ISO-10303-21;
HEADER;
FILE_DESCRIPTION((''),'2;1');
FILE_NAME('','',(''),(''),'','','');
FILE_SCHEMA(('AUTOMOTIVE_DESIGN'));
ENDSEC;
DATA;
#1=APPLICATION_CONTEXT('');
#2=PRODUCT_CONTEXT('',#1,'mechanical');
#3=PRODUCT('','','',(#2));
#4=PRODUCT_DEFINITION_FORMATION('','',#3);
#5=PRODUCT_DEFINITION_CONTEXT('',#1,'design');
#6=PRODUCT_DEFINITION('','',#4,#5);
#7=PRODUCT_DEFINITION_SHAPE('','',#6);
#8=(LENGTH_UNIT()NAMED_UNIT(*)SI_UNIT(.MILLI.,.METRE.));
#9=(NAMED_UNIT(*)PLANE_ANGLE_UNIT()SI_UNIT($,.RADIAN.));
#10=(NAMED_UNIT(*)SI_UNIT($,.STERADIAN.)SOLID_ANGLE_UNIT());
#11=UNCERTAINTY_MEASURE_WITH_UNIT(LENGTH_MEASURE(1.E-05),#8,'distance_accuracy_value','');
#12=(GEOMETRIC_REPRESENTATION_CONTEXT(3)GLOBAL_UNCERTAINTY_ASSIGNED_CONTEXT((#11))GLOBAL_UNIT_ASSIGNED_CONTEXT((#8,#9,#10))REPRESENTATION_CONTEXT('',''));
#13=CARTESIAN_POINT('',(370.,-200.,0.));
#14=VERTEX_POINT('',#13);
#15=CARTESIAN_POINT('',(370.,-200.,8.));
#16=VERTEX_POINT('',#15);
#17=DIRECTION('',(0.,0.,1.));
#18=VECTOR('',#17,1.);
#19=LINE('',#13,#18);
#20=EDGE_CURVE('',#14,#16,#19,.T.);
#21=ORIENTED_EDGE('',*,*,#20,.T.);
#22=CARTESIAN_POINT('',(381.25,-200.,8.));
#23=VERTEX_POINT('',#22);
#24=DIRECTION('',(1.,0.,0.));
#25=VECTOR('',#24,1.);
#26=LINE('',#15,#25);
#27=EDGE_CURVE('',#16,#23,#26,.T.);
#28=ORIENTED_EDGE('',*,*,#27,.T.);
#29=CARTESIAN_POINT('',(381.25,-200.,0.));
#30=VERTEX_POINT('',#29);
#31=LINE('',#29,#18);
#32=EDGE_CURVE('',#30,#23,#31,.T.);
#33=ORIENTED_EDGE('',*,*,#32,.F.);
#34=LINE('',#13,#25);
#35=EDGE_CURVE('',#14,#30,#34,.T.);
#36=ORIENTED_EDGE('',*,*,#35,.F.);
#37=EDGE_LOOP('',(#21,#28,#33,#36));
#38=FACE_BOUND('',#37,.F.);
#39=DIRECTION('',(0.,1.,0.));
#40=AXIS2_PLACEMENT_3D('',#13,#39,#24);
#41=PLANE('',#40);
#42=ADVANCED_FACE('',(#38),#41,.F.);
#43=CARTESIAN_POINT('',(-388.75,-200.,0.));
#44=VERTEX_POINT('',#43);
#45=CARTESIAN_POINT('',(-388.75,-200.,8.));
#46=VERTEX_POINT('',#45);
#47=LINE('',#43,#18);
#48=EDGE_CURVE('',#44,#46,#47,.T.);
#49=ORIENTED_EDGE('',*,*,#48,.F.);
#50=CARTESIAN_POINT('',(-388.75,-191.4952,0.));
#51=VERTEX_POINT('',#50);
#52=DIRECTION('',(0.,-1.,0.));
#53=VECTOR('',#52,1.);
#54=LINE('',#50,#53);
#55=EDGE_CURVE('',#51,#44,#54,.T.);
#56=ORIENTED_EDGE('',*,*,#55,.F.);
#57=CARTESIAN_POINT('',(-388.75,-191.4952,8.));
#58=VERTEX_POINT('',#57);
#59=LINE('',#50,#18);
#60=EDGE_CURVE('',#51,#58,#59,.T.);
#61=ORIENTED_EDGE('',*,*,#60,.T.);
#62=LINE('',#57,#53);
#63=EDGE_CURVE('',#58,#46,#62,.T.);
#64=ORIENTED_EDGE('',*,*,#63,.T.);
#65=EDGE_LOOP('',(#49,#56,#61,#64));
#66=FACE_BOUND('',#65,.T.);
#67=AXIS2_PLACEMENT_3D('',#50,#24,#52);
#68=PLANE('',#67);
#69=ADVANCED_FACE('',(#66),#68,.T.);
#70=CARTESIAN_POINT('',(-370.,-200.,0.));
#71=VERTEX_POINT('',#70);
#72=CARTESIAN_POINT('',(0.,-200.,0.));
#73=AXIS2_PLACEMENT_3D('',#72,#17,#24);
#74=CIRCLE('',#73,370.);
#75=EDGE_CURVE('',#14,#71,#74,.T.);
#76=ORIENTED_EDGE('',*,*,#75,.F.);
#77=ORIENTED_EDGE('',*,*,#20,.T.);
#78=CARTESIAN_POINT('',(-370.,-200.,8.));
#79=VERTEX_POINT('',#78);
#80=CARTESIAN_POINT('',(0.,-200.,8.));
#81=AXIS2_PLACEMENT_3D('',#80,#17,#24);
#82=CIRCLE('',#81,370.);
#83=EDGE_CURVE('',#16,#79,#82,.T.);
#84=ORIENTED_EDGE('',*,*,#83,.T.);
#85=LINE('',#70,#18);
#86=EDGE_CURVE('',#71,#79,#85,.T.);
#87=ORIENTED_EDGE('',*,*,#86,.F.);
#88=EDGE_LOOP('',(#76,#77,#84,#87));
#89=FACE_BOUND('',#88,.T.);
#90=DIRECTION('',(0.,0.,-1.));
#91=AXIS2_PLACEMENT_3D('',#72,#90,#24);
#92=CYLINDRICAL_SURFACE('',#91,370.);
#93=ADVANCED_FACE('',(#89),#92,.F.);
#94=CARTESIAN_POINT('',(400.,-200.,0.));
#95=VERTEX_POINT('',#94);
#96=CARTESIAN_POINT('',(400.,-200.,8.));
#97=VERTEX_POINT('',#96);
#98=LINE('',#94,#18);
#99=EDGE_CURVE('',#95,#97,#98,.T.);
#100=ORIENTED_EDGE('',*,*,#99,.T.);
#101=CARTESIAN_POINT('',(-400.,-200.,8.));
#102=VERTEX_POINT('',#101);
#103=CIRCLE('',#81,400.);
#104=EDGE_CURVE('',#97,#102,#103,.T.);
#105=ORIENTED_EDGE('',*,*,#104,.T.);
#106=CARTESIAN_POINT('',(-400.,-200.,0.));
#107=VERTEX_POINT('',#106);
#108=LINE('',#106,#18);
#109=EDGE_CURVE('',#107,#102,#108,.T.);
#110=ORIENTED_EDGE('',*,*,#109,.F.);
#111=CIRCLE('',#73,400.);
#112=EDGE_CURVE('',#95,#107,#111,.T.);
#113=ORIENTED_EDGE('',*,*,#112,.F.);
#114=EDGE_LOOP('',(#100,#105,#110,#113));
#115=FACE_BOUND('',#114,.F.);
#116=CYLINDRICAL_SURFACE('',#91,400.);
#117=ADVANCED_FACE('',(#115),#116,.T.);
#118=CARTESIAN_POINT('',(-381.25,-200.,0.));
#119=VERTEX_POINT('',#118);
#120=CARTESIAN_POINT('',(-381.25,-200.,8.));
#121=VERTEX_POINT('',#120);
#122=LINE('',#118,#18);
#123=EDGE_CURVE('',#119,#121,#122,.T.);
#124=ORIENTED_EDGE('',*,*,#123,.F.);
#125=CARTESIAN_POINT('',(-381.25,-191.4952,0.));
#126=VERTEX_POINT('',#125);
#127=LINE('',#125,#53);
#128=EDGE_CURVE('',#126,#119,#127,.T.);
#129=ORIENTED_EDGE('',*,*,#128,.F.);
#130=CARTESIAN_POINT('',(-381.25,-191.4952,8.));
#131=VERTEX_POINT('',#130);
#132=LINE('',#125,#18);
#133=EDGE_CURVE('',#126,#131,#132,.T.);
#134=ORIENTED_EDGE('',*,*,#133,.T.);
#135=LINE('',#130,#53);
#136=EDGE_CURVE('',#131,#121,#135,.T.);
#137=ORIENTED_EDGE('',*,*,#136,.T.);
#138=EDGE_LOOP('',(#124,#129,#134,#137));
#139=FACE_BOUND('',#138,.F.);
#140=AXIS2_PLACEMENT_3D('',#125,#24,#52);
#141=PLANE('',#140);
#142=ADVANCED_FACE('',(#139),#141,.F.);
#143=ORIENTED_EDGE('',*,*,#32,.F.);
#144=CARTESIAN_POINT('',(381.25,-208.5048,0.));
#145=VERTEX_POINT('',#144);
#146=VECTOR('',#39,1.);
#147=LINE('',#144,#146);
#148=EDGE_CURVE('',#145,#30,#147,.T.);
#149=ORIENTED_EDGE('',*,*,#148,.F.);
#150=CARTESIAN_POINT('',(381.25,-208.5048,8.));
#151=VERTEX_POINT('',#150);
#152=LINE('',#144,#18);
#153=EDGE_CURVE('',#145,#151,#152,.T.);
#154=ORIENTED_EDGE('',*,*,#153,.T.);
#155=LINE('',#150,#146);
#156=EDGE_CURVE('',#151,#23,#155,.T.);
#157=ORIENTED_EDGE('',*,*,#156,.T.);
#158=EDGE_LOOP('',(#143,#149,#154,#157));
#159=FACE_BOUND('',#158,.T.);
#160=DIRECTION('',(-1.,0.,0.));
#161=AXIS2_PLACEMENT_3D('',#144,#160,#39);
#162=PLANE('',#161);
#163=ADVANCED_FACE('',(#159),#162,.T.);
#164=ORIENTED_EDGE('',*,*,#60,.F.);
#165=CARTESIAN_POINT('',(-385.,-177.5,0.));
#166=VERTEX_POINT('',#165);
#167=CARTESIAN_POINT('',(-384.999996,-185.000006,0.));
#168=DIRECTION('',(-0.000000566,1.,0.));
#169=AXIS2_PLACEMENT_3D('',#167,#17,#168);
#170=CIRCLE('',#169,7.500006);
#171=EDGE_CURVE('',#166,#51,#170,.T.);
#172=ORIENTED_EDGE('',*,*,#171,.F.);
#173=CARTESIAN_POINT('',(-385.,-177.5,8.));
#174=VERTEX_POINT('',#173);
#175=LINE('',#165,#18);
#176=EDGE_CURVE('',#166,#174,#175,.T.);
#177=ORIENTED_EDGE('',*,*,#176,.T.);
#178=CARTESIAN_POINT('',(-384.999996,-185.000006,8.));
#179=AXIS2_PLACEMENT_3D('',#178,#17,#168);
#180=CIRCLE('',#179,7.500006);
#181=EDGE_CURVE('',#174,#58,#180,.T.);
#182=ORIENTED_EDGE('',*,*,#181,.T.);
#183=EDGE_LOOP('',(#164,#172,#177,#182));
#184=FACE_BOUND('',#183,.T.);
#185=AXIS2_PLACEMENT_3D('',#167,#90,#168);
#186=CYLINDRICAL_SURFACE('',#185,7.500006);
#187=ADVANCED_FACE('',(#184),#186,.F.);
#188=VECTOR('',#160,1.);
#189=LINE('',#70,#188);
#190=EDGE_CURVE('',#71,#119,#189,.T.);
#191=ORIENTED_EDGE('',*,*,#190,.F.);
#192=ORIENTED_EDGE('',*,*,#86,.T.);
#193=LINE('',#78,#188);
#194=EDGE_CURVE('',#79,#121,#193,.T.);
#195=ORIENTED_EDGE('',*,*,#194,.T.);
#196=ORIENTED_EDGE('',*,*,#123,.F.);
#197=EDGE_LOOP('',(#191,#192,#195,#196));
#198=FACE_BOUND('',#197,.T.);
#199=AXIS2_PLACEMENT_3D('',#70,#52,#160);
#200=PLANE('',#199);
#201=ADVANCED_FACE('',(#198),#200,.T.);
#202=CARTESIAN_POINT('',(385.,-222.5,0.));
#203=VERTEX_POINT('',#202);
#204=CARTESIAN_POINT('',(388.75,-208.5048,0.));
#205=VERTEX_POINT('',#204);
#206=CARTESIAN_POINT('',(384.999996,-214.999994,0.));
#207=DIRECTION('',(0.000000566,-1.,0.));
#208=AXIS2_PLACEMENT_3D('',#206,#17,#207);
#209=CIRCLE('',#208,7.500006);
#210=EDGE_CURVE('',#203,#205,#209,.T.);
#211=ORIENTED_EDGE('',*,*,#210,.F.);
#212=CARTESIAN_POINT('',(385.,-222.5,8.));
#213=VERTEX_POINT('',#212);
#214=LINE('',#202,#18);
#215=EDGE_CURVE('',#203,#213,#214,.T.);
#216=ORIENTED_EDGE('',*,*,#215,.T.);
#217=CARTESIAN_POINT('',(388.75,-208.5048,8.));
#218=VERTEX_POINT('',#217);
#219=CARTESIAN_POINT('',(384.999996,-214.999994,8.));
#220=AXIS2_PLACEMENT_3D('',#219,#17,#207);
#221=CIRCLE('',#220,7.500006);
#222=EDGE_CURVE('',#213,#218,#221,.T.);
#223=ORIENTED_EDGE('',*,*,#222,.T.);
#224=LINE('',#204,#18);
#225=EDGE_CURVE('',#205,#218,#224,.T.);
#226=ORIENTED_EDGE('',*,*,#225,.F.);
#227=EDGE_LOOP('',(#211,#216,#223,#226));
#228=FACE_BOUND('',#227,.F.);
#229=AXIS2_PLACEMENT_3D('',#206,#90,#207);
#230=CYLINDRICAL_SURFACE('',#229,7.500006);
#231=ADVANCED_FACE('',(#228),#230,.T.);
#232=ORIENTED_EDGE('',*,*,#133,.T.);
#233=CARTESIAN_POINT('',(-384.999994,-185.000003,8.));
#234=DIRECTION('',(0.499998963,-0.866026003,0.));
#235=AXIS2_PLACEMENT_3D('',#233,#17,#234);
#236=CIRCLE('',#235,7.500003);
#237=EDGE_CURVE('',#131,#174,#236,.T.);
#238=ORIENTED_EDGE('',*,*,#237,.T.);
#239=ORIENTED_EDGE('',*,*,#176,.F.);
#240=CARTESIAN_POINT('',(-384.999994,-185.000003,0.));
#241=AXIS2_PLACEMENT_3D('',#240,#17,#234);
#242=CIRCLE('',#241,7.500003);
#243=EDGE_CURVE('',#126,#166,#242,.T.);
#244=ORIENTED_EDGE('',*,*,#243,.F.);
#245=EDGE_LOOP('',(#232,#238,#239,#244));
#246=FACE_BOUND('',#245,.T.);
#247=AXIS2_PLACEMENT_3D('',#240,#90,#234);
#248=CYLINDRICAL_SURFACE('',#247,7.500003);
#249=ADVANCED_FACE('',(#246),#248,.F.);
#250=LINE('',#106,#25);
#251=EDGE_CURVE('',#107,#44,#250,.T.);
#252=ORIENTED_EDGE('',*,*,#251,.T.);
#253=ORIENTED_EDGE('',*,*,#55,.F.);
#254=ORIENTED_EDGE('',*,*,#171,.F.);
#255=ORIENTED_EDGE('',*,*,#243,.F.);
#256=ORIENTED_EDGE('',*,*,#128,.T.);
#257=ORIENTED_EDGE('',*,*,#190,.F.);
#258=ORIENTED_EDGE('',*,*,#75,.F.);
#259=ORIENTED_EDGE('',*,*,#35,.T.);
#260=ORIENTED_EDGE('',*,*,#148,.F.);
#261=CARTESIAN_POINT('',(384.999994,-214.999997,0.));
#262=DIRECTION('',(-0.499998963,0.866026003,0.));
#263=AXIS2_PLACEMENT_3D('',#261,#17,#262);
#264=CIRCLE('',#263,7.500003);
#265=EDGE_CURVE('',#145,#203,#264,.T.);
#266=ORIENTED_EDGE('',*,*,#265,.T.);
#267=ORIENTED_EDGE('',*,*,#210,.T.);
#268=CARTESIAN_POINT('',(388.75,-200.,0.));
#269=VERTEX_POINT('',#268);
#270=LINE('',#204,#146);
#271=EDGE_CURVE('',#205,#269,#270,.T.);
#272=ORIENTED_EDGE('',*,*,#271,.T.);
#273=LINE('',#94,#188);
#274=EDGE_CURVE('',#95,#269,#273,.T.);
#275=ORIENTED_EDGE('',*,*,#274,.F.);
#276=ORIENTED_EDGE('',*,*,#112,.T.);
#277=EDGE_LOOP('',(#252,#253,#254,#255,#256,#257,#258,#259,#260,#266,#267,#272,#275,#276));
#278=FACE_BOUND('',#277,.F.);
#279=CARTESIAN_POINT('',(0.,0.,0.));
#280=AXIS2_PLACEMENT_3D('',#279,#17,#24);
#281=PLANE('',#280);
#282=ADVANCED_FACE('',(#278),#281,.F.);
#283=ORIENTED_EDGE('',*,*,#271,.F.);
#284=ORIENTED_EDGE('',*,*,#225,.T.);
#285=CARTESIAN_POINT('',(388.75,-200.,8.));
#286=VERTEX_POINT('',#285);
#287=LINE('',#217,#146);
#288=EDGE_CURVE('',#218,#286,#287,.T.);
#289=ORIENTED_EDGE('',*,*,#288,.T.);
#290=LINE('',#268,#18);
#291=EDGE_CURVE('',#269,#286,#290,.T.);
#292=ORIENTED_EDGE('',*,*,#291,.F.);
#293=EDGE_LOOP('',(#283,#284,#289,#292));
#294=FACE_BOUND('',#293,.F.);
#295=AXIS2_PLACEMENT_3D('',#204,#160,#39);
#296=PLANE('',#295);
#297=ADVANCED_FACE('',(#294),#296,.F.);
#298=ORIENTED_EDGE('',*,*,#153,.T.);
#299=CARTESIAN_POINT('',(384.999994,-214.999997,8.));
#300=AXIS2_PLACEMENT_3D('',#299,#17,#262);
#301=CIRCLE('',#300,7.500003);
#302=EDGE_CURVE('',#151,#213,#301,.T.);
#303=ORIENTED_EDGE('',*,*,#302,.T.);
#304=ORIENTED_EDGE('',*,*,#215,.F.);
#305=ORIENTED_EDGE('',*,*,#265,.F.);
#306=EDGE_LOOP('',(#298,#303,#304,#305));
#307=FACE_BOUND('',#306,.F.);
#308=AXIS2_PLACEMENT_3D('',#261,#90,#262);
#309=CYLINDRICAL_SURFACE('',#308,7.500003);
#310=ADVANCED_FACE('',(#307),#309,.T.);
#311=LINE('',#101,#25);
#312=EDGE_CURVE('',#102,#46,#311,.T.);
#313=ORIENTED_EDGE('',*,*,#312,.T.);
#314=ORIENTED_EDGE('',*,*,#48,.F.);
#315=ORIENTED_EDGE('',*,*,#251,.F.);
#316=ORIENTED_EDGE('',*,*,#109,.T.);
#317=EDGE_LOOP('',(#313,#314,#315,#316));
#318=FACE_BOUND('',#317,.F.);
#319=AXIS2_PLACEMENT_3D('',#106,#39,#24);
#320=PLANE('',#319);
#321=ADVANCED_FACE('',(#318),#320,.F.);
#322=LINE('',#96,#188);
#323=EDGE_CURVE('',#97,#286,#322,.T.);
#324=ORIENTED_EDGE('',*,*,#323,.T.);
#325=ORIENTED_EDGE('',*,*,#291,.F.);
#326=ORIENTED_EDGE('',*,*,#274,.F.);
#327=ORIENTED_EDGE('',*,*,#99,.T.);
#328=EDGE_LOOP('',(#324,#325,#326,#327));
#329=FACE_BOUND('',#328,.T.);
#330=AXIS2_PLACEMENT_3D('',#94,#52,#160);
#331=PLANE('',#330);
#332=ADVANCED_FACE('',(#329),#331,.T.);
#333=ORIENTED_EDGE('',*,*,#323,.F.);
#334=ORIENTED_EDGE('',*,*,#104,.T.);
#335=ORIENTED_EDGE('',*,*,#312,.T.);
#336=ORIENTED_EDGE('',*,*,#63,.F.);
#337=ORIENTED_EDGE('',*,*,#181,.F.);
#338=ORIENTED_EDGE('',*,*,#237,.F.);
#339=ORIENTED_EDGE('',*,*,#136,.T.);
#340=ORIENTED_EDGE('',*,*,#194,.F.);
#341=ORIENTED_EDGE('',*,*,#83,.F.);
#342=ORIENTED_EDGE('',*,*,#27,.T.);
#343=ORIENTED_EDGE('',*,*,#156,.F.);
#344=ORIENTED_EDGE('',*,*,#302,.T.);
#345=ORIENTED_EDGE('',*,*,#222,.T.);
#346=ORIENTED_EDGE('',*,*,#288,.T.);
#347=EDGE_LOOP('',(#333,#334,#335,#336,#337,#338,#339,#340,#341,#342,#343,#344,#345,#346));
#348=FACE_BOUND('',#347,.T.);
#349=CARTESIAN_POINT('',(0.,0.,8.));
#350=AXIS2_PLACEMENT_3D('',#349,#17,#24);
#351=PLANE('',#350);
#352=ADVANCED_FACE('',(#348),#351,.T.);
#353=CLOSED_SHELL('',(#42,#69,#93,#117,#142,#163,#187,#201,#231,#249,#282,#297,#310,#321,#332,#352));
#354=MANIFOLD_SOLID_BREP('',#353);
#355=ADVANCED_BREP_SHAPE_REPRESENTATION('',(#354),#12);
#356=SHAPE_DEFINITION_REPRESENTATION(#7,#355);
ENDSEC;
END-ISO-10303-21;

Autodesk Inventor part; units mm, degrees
ref_plane "YZ Plane" through (0, 0, 0) normal (1, 0, 0) x (0, 1, 0)
ref_plane "XZ Plane" through (0, 0, 0) normal (0, 1, 0) x (-1, 0, 0)
ref_plane "XY Plane" through (0, 0, 0) normal (0, 0, 1) x (1, 0, 0)
ref_plane "Work Plane1" through (0, 0, 0) normal (0, 0, 1) x (1, 0, 0)
sketch "Sketch1" plane through (0, 0, 0) normal (0, 0, 1) x (1, 0, 0)
  line L0 (250, -200) -> (400, -200) construction
  arc A0 (400, -200) -> (-400, -200) centre (0, -200) ccw construction
  line L1 (-400, -200) -> (-250, -200) construction
  arc A1 (250, -200) -> (-250, -200) centre (0, -200) ccw construction
  arc A2 (400, -200) -> (-400, -200) centre (0, -200) ccw
  arc A3 (370, -200) -> (-370, -200) centre (0, -200) ccw
  line L2 (400, -200) -> (370, -200) construction
  line L3 (385, -200) -> (385, -231.622) construction
  arc A4 (385, -222.5) -> (388.75, -208.5048) centre (385, -215) ccw
  line L4 (388.75, -208.5048) -> (388.75, -200)
  line L5 (400, -200) -> (388.75, -200)
  arc A5 (381.25, -208.5048) -> (385, -222.5) centre (385, -215) ccw
  line L6 (381.25, -208.5048) -> (381.25, -200)
  line L7 (370, -200) -> (381.25, -200)
  line L8 (-381.25, -191.4952) -> (-381.25, -200)
  arc A6 (-381.25, -191.4952) -> (-385, -177.5) centre (-385, -185) ccw
  line L9 (-370, -200) -> (-381.25, -200)
  arc A7 (-385, -177.5) -> (-388.75, -191.4952) centre (-385, -185) ccw
  line L10 (-388.75, -191.4952) -> (-388.75, -200)
  line L11 (-400, -200) -> (-388.75, -200)
  point P0 (0, 0)
  point P1 (-400, -200)
  point P2 (-370, -200)
  dimension "d0" = 30
  dimension "d1" = 7.5
  dimension "d2" = 7.5
  dimension "d3" = 15
  dimension "d6" = 180
extrude "Extrusion1" add sketch "Sketch1" along normal blind 8
properties part number "barrier"
